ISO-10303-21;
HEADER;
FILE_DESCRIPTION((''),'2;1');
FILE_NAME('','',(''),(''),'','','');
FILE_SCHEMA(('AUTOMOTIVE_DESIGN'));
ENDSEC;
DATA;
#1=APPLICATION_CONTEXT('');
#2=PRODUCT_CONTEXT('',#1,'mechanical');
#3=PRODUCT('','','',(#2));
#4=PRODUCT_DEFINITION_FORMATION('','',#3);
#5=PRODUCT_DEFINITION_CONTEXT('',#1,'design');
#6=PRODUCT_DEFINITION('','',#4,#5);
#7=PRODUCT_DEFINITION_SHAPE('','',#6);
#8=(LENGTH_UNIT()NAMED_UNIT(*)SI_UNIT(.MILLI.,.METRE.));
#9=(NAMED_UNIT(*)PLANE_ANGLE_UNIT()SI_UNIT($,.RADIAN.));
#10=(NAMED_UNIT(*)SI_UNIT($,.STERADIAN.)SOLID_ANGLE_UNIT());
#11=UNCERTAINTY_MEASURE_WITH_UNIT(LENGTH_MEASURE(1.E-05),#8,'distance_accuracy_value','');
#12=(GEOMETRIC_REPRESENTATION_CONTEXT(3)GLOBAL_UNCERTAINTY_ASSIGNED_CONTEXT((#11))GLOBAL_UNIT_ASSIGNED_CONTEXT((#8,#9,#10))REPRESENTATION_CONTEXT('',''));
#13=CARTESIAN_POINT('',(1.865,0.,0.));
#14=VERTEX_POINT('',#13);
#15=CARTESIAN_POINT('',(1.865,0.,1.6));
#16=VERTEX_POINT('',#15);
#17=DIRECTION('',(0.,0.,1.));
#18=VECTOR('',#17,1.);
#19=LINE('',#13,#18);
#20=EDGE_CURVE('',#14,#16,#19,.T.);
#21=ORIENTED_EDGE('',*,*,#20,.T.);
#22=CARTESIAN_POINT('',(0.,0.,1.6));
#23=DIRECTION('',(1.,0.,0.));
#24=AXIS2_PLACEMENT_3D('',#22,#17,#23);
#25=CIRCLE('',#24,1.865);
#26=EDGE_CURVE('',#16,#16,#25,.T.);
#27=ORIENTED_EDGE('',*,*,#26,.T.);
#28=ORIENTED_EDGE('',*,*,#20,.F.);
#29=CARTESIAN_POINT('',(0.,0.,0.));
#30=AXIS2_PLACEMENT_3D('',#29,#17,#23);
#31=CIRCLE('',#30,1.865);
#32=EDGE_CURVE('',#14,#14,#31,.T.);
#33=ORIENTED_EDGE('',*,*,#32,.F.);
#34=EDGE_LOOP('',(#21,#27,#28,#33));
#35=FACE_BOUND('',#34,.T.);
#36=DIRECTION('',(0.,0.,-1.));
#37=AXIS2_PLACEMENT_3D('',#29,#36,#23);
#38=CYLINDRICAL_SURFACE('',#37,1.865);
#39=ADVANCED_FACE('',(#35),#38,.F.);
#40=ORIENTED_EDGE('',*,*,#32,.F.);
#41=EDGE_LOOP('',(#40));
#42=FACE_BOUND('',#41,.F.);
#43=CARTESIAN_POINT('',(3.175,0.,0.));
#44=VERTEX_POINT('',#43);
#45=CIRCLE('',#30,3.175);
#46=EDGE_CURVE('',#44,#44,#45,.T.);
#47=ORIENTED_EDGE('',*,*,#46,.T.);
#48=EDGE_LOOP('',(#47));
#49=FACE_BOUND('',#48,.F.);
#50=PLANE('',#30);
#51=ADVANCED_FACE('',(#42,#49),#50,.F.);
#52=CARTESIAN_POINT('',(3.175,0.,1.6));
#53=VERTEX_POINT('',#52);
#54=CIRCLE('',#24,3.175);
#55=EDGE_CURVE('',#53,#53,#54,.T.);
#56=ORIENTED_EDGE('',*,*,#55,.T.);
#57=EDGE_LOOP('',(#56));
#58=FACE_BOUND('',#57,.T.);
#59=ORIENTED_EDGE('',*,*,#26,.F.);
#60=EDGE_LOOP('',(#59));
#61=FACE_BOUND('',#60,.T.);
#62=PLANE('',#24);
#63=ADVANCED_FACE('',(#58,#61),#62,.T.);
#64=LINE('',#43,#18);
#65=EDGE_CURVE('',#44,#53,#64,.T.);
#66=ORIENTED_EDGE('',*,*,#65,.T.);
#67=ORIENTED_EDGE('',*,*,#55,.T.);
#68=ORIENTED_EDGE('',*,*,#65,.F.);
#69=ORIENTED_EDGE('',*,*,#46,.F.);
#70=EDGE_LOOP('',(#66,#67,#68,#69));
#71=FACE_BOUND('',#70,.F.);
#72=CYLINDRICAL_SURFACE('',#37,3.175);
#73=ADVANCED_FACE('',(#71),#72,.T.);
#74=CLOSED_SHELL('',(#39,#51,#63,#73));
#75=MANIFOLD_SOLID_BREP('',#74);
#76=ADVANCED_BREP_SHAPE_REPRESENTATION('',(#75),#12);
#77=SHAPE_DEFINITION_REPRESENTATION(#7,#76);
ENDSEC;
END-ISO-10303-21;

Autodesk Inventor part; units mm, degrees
ref_plane "YZ Plane" through (0, 0, 0) normal (1, 0, 0) x (0, 1, 0)
ref_plane "XZ Plane" through (0, 0, 0) normal (0, 1, 0) x (-1, 0, 0)
ref_plane "XY Plane" through (0, 0, 0) normal (0, 0, 1) x (1, 0, 0)
sketch "Sketch1" plane through (0, 0, 0) normal (0, 0, 1) x (1, 0, 0)
  circle A0 centre (0, 0) radius 1.865
  circle A1 centre (0, 0) radius 3.175
  dimension "d0" = 3.73
  dimension "d1" = 6.35
extrude "Extrusion1" add sketch "Sketch1" along normal blind 1.6
properties part number "492-1101-ND" material "Nylon 6/6"
